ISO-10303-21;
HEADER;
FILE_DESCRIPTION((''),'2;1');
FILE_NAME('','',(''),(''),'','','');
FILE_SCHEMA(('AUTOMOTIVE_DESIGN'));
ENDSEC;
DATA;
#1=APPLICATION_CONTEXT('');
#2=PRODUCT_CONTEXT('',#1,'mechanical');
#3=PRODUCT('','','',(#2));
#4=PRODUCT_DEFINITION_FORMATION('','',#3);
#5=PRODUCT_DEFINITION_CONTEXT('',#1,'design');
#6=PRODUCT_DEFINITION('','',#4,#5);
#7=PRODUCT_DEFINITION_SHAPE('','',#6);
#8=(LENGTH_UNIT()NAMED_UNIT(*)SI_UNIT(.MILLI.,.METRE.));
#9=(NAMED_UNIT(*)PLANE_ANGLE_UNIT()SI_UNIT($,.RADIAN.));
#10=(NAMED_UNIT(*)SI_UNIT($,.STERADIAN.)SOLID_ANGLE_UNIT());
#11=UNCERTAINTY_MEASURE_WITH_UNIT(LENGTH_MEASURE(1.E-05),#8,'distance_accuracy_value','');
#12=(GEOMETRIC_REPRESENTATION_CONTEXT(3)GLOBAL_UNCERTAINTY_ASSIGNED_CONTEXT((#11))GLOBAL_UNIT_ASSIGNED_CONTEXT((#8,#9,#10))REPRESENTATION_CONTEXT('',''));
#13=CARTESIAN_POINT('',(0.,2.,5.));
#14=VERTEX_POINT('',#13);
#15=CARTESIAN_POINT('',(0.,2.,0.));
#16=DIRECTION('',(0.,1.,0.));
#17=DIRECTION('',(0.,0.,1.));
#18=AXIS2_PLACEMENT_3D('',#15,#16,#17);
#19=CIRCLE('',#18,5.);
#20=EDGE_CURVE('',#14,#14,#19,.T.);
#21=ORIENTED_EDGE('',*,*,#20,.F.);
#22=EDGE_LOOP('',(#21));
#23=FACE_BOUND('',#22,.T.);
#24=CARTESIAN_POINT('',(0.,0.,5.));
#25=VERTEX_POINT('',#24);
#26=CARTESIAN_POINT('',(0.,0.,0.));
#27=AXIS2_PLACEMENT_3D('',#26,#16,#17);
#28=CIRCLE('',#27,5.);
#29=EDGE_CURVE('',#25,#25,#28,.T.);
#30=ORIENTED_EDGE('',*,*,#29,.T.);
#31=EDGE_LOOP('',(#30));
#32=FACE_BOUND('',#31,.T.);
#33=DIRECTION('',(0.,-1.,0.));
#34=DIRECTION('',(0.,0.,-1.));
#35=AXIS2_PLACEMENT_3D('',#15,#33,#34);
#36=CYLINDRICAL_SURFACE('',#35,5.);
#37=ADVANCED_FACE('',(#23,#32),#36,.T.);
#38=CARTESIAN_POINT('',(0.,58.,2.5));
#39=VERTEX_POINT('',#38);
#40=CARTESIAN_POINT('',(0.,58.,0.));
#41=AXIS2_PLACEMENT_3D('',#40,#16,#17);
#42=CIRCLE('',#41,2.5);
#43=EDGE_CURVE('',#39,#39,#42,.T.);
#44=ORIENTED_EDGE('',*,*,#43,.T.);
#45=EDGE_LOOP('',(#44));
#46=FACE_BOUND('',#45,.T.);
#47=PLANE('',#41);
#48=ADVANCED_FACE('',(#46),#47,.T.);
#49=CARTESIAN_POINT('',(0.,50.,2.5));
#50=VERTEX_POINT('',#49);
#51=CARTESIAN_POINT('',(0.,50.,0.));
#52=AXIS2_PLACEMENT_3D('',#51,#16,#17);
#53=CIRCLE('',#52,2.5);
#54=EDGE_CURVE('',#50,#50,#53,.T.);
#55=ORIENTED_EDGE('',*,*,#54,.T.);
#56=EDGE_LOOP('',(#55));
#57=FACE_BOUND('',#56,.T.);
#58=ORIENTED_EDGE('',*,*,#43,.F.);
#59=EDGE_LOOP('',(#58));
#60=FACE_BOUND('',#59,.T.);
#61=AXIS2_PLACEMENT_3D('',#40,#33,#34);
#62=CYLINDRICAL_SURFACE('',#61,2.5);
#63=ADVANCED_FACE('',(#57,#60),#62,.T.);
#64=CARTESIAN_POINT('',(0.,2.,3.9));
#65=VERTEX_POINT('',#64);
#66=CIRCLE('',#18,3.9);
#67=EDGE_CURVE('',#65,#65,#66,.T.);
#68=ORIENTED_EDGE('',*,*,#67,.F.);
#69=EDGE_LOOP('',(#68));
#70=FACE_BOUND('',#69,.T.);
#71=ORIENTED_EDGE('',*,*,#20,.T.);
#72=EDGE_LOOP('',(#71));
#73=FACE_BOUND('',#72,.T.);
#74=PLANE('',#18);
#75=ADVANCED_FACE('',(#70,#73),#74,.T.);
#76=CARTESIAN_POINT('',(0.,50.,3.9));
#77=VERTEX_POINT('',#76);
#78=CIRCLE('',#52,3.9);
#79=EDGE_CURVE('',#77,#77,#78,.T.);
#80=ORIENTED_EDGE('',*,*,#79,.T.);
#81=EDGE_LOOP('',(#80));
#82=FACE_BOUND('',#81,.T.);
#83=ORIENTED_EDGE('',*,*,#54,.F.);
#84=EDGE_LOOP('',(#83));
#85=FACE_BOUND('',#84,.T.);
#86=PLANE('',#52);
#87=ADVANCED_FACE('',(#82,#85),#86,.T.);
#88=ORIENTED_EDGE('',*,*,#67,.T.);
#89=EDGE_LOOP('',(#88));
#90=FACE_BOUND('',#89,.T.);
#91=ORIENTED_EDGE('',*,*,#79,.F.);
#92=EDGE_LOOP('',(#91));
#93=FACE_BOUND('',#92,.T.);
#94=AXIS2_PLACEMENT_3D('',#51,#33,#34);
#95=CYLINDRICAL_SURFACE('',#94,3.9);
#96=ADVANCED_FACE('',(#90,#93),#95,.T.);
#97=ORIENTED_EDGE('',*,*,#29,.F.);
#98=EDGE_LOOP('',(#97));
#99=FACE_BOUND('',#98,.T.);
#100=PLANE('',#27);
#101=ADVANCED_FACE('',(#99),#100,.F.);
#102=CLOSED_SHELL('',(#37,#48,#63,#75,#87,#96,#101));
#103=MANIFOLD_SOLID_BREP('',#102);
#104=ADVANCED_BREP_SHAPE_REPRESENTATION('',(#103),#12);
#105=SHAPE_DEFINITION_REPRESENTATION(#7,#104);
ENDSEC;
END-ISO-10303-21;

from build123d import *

# Parameters (mm, degrees)
SKETCH1_R           = 5
BOSS_EXTRUDE1_DEPTH = 2
SKETCH2_R           = 3.9
BOSS_EXTRUDE2_DEPTH = 48
SKETCH3_R           = 2.5
BOSS_EXTRUDE3_DEPTH = 8


with BuildPart() as part:
    # Sketch1 → Boss-Extrude1 (new body)
    with BuildSketch(Plane(origin=(0, 0, 0), x_dir=(1, 0, 0), z_dir=(0, 1, 0))):
        Circle(SKETCH1_R)
    extrude(amount=BOSS_EXTRUDE1_DEPTH)

    # Sketch2 → Boss-Extrude2 (add)
    with BuildSketch(Plane(origin=(0, 2, 0), x_dir=(1, 0, 0), z_dir=(0, 1, 0))):
        Circle(SKETCH2_R)
    extrude(amount=BOSS_EXTRUDE2_DEPTH)

    # Sketch3 → Boss-Extrude3 (add)
    with BuildSketch(Plane(origin=(0, 50, 0), x_dir=(1, 0, 0), z_dir=(0, 1, 0))):
        Circle(SKETCH3_R)
    extrude(amount=BOSS_EXTRUDE3_DEPTH)


solid = part.part
